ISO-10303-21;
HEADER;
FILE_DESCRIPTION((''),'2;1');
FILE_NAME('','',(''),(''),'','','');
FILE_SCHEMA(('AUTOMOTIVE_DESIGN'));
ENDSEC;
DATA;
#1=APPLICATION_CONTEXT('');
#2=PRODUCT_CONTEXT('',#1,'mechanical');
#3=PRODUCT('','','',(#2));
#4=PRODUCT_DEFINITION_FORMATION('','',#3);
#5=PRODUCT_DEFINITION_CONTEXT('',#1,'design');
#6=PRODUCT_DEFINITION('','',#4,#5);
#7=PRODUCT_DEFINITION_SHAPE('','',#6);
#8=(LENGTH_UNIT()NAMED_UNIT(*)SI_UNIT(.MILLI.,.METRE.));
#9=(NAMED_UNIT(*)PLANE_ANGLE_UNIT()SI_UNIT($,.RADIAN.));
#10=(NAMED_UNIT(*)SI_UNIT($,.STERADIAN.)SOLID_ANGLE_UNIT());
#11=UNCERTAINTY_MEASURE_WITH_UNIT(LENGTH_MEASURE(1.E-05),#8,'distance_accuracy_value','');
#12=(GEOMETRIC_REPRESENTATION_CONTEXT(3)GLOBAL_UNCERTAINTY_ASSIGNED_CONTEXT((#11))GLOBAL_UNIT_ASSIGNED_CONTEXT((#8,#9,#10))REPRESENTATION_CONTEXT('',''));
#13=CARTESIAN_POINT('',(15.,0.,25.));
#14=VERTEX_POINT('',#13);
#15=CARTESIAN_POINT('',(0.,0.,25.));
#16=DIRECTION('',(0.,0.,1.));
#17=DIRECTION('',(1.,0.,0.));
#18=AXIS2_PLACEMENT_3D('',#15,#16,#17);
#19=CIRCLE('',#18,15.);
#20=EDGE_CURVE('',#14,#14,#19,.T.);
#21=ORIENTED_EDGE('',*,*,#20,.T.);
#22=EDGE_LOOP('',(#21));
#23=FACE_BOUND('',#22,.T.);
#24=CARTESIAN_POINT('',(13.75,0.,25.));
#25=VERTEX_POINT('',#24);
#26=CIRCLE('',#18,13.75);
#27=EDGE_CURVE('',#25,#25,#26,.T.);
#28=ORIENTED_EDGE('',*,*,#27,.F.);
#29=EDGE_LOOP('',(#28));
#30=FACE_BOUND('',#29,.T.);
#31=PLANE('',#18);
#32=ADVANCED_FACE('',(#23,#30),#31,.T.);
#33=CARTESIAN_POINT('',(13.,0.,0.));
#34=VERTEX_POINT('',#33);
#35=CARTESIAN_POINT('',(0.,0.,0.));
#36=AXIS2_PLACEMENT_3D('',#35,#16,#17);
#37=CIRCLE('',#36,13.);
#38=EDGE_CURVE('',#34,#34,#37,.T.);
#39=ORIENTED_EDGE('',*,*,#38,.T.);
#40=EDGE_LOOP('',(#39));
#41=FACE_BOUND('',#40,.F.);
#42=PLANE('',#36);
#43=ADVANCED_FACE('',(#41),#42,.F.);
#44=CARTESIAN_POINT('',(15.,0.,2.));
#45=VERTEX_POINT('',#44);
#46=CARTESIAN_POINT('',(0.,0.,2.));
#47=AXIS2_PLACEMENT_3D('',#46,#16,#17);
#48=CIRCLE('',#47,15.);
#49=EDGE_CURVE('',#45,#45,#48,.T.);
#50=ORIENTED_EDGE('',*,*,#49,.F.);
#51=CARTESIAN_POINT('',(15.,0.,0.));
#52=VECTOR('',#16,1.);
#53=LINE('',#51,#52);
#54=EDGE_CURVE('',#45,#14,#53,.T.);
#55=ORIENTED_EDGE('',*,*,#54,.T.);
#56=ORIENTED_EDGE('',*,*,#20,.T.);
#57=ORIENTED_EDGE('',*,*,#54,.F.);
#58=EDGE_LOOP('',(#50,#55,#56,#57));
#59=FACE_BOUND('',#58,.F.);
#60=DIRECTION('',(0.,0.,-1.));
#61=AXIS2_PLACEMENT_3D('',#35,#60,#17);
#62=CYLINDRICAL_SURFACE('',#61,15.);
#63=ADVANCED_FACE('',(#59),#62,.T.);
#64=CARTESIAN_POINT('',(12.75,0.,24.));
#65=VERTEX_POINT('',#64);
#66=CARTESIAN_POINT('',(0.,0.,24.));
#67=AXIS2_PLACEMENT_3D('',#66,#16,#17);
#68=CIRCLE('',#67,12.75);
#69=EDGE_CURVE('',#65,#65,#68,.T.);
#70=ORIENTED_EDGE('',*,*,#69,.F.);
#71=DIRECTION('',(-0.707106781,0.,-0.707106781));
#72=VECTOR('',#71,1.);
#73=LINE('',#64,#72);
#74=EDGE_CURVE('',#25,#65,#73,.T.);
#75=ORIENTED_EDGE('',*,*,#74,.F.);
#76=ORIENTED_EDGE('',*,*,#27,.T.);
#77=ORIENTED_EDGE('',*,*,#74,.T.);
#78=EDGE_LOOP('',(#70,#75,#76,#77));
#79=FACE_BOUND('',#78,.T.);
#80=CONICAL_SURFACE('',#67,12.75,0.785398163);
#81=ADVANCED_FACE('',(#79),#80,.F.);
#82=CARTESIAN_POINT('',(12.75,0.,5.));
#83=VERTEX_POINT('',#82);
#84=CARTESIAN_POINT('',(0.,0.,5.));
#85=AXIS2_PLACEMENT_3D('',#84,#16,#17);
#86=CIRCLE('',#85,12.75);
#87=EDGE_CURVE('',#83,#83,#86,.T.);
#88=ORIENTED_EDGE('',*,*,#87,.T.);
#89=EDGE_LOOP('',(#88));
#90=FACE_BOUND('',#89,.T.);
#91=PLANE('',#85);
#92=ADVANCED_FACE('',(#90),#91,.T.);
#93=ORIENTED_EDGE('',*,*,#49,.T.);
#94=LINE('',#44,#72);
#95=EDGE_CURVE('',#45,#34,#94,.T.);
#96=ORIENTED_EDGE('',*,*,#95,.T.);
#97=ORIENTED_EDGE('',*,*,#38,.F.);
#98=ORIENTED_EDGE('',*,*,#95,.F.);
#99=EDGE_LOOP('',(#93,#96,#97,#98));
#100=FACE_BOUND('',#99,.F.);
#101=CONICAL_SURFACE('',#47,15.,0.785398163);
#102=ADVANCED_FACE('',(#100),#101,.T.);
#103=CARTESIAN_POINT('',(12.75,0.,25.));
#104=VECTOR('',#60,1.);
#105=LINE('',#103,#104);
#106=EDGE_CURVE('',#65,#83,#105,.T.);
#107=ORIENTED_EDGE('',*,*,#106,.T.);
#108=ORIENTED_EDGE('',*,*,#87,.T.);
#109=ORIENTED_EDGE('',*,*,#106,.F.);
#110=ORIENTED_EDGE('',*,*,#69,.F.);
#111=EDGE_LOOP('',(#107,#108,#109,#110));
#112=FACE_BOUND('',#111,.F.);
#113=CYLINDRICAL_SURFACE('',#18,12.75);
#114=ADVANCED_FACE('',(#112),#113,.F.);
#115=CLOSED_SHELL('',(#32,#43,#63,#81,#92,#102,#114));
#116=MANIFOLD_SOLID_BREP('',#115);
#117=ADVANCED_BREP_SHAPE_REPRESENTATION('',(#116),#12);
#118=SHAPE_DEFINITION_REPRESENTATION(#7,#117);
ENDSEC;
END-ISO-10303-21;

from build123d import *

# Parameters (mm, degrees)
SKETCH_R        = 15
PAD_DEPTH       = 25
SKETCH001_R     = 12.75
POCKET_DEPTH    = 20
CHAMFER_SIZE    = 2
CHAMFER001_SIZE = 1


with BuildPart() as part:
    # Sketch (on XY_Plane of Origin) → Pad (new body)
    with BuildSketch(Plane.XY):
        Circle(SKETCH_R)
    extrude(amount=PAD_DEPTH)

    # Sketch001 (on Face3 of Pad) → Pocket (cut)
    with BuildSketch(Plane.XY.offset(25)):
        Circle(SKETCH001_R)
    extrude(amount=-POCKET_DEPTH, mode=Mode.SUBTRACT)

    # Chamfer
    chamfer_edges = [part.edges().sort_by_distance(p)[0] for p in [
        (-15, 0, 0),
    ]]
    chamfer(chamfer_edges, length=CHAMFER_SIZE)

    # Chamfer001
    chamfer001_edges = [part.edges().sort_by_distance(p)[0] for p in [
        (-12.75, 0, 25),
    ]]
    chamfer(chamfer001_edges, length=CHAMFER001_SIZE)


solid = part.part
